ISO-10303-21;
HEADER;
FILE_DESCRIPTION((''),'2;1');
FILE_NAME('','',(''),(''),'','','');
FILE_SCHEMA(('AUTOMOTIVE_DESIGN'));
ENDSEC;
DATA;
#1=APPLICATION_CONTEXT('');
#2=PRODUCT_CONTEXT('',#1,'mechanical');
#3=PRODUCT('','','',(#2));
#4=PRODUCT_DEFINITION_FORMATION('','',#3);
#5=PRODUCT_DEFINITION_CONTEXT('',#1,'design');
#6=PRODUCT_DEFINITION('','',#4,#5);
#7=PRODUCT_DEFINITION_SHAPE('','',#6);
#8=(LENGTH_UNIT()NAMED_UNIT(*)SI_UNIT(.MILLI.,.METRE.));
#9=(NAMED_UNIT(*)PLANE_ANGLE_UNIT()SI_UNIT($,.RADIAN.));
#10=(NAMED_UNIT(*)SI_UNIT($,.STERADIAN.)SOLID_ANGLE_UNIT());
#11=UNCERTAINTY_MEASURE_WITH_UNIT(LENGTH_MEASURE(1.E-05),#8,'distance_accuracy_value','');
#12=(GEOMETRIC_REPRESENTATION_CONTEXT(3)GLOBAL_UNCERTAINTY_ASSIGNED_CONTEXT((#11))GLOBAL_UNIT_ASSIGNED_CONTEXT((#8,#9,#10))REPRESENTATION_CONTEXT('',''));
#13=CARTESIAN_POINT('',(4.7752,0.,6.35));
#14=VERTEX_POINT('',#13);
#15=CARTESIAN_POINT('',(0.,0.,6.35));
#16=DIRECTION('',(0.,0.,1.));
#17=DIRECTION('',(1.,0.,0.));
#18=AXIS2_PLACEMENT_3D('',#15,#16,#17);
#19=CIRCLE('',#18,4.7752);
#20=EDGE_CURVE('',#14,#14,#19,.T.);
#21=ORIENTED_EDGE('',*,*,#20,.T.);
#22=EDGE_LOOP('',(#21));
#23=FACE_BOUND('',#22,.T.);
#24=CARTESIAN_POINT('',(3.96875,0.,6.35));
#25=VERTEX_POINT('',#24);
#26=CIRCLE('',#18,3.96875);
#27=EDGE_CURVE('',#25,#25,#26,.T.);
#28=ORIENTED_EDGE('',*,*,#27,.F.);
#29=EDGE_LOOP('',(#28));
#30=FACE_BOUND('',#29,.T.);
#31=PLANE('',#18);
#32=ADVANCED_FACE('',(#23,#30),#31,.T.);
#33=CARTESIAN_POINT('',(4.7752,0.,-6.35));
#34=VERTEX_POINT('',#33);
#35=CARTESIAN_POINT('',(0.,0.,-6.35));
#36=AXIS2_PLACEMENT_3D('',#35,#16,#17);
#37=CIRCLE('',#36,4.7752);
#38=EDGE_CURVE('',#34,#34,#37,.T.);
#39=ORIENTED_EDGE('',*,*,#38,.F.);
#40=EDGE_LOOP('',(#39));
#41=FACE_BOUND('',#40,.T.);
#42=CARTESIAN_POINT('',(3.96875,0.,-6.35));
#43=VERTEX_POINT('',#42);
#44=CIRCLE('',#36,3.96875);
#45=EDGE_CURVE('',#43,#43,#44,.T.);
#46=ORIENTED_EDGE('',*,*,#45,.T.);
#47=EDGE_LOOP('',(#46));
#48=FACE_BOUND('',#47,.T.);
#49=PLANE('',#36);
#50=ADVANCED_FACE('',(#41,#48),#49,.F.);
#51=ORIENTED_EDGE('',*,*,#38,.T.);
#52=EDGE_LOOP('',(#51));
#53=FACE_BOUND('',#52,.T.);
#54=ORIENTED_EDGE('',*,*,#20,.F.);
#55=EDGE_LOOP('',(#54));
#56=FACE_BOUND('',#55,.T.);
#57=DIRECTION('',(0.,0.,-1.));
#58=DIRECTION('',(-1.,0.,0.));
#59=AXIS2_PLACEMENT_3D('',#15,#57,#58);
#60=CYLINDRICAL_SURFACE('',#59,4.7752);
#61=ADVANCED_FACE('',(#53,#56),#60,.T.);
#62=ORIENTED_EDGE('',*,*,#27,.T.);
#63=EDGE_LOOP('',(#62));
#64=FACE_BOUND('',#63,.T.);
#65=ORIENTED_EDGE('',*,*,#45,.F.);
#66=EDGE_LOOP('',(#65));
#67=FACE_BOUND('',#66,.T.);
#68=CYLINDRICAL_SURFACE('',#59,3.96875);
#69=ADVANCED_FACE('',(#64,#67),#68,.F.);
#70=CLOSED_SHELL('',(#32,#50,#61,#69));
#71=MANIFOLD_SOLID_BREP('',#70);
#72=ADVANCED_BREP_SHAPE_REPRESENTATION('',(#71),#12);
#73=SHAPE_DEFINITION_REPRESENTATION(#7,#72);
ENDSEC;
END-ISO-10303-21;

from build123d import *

# Parameters (mm, degrees)
SKETCH1_R      = 4.7752
SKETCH1_R_2    = 3.96875
EXTRUDE1_DEPTH = 6.35


with BuildPart() as part:
    # Sketch1 → Extrude1 (new body, symmetric)
    with BuildSketch(Plane.XY):
        Circle(SKETCH1_R)
        Circle(SKETCH1_R_2, mode=Mode.SUBTRACT)
    extrude(amount=EXTRUDE1_DEPTH, both=True)


solid = part.part
